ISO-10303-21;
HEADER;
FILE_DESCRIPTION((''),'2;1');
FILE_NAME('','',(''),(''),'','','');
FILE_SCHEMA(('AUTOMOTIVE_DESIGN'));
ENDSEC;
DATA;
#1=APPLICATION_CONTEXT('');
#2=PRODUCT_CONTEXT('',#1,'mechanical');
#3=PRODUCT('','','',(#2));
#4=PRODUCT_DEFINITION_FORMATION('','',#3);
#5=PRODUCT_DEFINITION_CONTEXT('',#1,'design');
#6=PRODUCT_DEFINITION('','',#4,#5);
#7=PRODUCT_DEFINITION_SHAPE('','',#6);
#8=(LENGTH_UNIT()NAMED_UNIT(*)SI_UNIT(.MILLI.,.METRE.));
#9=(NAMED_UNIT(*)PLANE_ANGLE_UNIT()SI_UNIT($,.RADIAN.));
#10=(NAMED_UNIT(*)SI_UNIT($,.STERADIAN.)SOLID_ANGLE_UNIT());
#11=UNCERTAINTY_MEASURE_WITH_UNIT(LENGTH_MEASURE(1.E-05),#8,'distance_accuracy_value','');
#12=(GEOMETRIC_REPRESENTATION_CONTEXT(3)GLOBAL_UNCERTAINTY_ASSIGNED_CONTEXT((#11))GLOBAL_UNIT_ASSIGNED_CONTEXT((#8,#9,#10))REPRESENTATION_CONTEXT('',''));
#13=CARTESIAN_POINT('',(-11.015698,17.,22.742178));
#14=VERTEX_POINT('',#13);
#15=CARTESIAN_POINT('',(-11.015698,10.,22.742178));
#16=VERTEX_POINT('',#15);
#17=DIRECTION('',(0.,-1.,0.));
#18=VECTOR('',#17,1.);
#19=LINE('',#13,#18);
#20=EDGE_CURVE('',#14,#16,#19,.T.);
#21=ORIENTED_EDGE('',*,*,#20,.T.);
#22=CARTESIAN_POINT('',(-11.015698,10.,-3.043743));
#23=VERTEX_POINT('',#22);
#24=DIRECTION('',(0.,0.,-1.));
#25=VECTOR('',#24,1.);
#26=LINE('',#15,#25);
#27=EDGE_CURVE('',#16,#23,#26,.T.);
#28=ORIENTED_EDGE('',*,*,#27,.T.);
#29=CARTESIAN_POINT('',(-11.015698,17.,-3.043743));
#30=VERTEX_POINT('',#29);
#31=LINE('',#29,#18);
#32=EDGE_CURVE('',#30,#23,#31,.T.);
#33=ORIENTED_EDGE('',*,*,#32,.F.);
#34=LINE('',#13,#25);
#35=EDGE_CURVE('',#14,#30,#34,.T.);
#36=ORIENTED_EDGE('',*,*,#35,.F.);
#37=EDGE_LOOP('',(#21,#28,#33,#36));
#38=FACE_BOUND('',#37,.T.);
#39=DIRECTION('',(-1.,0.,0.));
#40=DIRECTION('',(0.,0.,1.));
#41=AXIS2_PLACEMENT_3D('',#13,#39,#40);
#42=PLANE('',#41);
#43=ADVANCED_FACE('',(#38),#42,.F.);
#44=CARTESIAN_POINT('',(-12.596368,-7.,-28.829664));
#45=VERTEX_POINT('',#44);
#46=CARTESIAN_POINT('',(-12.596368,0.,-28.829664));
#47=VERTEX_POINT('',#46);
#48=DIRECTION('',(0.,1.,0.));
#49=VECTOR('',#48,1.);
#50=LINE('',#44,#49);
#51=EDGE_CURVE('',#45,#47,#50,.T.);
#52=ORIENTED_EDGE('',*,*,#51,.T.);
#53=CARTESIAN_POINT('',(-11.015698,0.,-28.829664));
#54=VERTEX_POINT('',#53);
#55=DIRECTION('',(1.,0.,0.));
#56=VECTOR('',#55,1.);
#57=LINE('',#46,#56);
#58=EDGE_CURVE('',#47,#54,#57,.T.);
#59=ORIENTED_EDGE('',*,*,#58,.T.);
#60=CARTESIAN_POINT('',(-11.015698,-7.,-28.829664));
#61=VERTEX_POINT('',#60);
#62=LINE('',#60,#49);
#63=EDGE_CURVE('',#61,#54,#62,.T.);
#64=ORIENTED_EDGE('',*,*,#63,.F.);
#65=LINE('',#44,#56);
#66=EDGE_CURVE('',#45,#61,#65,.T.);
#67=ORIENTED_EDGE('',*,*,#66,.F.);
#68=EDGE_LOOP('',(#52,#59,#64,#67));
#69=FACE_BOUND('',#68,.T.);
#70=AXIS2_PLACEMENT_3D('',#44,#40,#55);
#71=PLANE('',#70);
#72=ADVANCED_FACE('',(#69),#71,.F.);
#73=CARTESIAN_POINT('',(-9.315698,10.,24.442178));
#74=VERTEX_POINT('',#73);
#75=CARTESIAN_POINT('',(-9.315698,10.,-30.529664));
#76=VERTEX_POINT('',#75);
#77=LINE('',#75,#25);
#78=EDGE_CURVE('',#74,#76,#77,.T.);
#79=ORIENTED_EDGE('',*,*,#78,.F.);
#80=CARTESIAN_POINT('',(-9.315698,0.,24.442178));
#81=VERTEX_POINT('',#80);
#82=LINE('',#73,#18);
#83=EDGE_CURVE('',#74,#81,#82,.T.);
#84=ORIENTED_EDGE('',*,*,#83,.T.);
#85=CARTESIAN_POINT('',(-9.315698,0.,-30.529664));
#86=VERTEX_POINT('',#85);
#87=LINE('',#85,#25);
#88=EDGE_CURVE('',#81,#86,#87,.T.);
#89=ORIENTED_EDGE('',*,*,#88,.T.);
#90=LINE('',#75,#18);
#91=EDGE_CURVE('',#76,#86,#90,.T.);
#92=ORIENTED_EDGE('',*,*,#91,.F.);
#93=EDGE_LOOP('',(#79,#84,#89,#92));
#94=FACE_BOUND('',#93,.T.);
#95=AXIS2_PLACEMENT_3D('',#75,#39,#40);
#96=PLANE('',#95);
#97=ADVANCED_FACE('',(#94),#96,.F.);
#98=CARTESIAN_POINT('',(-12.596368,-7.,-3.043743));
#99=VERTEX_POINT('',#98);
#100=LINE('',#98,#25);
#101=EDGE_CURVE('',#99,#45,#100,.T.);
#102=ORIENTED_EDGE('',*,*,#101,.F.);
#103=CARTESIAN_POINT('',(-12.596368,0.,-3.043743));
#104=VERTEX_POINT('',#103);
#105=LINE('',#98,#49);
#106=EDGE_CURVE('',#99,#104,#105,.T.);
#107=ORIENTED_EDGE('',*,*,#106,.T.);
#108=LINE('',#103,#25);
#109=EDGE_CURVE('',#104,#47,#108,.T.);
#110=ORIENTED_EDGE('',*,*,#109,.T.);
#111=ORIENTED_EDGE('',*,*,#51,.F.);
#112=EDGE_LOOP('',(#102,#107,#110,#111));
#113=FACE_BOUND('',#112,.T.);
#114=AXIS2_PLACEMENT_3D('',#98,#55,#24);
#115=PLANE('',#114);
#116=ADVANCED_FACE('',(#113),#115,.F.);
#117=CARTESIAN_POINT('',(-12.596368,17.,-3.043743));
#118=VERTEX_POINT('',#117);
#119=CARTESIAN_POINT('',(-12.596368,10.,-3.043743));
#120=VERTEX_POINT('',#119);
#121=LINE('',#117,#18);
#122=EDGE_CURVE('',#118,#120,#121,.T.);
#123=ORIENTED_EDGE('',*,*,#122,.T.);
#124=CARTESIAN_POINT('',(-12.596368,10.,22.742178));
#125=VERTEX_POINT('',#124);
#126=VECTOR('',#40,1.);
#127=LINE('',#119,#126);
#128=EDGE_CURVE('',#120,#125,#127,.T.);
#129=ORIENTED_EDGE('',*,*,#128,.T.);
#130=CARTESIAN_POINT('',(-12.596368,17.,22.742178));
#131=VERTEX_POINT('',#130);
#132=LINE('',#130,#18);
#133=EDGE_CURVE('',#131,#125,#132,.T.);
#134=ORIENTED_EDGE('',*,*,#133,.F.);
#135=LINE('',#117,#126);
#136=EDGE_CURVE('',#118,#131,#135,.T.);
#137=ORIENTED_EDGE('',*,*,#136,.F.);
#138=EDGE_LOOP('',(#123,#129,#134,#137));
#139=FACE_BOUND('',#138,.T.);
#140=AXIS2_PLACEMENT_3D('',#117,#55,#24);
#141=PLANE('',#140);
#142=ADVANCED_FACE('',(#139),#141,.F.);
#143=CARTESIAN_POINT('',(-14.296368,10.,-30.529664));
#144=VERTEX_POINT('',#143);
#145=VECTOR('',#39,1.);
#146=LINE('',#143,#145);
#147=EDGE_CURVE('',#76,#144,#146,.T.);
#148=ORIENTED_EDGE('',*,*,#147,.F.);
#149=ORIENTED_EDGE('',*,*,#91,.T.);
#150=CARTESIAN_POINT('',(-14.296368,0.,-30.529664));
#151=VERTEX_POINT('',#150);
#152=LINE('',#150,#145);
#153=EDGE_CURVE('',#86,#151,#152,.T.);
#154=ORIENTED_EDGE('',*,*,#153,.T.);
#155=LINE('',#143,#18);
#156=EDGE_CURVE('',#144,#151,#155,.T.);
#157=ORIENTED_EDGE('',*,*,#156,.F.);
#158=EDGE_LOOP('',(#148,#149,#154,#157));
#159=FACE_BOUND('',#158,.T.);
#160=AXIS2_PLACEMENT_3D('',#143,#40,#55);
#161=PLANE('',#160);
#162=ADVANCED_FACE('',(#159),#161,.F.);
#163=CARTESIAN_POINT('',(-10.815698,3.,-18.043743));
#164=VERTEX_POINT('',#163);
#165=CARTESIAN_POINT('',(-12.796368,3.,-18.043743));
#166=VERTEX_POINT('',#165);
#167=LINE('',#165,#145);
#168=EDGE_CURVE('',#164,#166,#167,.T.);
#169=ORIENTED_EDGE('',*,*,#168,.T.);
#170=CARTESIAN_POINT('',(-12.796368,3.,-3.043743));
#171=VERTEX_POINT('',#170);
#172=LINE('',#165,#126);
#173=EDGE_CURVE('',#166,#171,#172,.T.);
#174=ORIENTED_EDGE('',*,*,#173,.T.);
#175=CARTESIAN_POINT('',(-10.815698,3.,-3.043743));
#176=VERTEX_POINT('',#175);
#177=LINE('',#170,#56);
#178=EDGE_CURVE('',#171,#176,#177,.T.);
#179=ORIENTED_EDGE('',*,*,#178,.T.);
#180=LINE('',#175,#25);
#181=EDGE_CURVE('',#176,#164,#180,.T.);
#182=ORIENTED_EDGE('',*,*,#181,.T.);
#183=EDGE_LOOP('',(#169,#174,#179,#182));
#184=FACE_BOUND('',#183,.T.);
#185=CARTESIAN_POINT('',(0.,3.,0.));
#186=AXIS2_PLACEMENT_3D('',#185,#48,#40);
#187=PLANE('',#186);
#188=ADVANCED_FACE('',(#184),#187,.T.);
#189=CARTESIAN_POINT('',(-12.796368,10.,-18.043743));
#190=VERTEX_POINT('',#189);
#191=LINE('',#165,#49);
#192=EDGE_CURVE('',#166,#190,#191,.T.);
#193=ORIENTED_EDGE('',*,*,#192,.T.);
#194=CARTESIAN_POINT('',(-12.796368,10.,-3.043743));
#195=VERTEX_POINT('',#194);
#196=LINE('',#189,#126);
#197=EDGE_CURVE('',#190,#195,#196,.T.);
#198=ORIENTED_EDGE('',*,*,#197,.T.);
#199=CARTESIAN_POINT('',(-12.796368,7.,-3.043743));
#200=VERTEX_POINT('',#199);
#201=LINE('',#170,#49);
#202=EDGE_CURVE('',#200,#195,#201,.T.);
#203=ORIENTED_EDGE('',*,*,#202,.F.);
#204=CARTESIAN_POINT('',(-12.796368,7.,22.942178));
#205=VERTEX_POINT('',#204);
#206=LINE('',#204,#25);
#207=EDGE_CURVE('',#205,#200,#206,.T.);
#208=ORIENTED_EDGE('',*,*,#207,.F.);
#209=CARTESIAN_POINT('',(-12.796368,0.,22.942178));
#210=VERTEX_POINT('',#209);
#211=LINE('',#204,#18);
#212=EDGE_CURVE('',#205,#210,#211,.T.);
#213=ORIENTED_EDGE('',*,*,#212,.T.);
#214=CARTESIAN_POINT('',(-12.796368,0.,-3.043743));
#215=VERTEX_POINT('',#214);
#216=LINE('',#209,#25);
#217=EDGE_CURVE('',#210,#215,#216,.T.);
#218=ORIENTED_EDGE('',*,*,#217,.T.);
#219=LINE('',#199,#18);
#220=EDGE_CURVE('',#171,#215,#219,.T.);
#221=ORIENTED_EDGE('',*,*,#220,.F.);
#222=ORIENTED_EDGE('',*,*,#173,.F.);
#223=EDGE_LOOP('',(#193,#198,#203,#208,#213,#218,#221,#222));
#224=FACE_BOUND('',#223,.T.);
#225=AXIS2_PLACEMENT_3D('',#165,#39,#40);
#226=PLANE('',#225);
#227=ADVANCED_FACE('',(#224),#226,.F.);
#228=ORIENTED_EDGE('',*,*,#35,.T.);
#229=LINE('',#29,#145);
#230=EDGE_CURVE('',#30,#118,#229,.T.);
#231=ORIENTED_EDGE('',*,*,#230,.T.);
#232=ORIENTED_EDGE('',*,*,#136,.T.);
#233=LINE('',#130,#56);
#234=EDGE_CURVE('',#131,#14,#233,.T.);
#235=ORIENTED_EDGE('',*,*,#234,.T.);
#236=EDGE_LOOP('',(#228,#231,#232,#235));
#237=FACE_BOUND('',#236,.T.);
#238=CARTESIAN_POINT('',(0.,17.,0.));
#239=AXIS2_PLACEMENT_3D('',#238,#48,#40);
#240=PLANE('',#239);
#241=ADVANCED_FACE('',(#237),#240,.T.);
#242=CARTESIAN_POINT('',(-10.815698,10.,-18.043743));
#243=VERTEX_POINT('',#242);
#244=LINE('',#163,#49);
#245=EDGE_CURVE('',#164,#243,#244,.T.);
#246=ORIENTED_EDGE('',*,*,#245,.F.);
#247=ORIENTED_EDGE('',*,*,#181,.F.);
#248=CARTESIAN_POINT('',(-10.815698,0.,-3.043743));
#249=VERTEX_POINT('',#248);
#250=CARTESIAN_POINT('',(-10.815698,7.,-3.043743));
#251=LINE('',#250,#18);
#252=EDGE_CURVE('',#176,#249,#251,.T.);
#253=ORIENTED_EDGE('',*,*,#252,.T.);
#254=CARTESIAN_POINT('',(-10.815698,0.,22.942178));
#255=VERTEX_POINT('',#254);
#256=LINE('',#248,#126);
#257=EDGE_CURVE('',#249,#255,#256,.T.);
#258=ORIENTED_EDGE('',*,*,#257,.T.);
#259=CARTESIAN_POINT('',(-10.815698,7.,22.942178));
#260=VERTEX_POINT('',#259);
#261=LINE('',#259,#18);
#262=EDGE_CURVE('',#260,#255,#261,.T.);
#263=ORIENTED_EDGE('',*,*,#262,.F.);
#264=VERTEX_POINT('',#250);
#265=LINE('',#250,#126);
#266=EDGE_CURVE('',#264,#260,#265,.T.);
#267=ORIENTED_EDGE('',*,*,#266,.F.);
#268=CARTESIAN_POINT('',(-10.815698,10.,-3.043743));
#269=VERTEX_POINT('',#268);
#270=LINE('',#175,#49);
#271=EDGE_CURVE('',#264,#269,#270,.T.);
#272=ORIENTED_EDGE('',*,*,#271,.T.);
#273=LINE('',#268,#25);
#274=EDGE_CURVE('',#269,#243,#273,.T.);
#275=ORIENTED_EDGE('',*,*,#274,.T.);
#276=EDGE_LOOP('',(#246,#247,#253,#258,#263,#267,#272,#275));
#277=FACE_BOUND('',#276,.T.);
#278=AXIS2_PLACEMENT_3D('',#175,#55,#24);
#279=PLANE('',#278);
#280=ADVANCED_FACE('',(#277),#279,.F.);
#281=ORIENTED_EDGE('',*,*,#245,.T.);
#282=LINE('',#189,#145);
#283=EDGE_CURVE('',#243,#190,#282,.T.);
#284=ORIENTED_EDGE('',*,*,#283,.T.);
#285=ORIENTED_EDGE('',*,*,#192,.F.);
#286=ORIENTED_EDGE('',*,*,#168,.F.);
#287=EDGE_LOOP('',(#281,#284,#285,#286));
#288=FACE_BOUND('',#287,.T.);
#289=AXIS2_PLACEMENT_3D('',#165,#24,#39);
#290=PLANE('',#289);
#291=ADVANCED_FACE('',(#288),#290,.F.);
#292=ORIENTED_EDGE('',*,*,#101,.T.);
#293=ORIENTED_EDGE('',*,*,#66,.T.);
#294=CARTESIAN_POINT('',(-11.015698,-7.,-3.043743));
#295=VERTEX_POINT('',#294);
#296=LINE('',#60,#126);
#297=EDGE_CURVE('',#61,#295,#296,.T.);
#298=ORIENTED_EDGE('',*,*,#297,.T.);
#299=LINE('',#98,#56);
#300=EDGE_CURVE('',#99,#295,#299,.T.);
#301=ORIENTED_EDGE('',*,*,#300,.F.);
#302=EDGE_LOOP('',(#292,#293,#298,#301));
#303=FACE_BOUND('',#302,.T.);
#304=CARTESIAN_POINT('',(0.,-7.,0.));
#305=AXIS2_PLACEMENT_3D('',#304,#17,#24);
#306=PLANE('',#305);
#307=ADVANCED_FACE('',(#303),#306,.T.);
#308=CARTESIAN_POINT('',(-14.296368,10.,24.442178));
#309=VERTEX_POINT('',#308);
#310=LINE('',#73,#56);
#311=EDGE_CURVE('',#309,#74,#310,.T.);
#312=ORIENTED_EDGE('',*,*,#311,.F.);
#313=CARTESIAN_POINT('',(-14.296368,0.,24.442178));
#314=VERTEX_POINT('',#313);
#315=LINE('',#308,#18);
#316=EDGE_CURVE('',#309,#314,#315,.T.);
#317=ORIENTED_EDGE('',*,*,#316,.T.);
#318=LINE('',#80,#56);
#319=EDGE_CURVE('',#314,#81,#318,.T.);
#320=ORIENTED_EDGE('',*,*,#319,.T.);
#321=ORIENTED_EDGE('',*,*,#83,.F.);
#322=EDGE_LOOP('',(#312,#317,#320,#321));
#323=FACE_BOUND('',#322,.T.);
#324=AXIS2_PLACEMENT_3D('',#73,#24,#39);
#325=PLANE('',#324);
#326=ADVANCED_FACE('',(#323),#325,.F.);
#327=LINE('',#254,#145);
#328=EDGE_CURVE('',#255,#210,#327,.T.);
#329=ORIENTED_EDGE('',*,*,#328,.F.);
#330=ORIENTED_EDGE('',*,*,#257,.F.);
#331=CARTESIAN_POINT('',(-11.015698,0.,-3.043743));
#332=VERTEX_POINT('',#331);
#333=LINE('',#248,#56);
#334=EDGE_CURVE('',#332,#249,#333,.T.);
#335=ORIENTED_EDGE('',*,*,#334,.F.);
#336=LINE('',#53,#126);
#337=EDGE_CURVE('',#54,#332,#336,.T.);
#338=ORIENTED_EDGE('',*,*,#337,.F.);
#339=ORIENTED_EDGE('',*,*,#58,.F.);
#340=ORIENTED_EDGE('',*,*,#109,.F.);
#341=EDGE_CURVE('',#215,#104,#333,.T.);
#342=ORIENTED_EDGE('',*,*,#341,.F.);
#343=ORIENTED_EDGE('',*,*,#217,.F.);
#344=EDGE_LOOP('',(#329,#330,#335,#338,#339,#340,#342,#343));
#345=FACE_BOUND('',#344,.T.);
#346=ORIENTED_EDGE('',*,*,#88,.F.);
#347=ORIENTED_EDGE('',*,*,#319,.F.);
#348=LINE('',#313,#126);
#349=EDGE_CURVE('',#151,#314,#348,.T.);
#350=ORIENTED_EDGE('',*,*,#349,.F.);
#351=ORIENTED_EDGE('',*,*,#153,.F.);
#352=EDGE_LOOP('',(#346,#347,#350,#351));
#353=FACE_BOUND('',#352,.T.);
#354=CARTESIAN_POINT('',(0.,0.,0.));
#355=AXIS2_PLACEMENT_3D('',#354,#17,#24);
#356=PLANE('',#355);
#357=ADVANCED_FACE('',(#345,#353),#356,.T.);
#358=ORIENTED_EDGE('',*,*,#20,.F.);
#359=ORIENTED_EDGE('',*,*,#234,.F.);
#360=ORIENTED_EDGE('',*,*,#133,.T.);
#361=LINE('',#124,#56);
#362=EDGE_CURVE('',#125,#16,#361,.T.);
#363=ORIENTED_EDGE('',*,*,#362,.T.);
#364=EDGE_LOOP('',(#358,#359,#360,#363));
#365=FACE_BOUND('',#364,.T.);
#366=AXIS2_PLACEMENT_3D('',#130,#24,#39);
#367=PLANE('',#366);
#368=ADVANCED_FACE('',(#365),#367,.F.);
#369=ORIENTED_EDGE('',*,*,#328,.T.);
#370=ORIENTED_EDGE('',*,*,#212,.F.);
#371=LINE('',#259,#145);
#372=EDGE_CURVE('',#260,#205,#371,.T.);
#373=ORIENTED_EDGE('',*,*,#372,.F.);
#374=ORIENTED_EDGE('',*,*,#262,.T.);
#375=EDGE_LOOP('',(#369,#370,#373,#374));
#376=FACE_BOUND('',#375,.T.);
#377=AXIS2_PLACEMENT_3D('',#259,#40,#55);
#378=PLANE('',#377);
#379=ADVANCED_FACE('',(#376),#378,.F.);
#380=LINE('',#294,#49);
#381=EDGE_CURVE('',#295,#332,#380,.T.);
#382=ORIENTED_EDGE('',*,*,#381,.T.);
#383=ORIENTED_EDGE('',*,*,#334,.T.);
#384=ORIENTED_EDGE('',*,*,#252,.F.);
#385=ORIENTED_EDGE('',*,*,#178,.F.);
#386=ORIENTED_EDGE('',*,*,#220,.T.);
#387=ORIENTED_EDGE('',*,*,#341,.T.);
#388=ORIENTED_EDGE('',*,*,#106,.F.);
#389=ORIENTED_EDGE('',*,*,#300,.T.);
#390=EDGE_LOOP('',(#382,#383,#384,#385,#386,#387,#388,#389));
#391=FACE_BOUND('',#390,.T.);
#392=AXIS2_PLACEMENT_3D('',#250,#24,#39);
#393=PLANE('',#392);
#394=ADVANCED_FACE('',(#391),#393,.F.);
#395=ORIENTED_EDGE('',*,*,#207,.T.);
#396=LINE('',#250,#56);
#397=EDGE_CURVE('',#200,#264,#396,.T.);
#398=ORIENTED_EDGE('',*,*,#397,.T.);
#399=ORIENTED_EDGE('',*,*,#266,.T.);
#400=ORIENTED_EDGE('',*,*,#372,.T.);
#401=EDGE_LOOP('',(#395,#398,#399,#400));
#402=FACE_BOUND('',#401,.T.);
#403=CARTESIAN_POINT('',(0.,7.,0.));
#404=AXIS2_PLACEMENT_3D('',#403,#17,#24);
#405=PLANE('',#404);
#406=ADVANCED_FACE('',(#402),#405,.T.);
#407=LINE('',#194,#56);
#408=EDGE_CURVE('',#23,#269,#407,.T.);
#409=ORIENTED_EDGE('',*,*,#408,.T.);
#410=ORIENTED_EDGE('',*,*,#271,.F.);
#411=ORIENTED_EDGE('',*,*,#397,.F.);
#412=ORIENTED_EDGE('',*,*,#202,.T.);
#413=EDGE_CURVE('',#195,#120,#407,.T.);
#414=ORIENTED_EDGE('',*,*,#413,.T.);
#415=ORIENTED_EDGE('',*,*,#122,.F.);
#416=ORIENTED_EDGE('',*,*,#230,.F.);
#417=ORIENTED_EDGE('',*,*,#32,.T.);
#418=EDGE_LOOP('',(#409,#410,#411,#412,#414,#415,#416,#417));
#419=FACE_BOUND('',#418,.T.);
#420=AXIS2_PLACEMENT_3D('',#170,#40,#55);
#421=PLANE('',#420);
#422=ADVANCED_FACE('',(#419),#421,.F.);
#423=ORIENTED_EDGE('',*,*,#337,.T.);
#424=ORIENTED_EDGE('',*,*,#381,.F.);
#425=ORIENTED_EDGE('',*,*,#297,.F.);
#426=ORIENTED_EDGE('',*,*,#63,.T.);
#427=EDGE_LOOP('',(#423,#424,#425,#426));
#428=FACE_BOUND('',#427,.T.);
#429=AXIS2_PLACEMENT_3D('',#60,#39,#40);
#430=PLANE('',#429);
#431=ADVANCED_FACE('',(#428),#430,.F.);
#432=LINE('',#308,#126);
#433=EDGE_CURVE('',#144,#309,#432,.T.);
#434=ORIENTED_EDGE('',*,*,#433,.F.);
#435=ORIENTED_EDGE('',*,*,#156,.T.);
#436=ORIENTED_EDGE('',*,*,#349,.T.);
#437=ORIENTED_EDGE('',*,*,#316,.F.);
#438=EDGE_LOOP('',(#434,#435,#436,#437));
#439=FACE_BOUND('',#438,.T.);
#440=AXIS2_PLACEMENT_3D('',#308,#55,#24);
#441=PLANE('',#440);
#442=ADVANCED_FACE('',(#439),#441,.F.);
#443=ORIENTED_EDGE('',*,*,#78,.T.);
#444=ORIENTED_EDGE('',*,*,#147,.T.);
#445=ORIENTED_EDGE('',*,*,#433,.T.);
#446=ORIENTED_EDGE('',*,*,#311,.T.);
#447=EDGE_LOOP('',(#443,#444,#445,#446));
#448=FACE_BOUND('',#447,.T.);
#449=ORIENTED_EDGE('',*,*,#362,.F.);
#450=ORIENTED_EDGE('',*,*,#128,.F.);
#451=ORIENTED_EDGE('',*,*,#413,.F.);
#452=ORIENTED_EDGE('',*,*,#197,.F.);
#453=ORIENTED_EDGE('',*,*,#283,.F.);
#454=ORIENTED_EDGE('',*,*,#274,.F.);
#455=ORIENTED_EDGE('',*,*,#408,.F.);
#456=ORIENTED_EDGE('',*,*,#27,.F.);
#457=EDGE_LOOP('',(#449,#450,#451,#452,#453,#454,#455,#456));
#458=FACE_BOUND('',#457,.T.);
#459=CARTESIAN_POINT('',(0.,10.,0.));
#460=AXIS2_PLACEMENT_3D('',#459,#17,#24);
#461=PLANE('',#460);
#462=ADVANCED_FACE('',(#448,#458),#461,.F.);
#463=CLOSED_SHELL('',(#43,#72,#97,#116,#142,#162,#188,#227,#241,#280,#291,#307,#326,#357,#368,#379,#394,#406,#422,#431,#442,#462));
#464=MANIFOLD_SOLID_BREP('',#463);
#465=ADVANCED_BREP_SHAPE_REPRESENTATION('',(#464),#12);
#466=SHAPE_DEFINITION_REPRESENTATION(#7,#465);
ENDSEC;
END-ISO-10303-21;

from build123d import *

# Parameters (mm, degrees)
SKETCH1_W           = 4.980670257
SKETCH1_H           = 54.9718421
BOSS_EXTRUDE1_DEPTH = 10
SKETCH2_W           = 1.980670257
SKETCH2_H           = 15
CUT_EXTRUDE2_DEPTH  = 7
SKETCH4_W           = 1.980670257
SKETCH4_H           = 25.98592105
CUT_EXTRUDE3_DEPTH  = 7
SKETCH5_W           = 1.580670257
SKETCH5_H           = 25.78592105
BOSS_EXTRUDE2_DEPTH = 7
SKETCH6_W           = 1.580670257
SKETCH6_H           = 25.78592105
BOSS_EXTRUDE3_DEPTH = 7


with BuildPart() as part:
    # Sketch1 → Boss-Extrude1 (new body)
    with BuildSketch(Plane(origin=(0, 0, 0), x_dir=(1, 0, 0), z_dir=(0, 1, 0))):
        with Locations((-11.806033203, 3.043742935)):
            Rectangle(SKETCH1_W, SKETCH1_H)
    extrude(amount=BOSS_EXTRUDE1_DEPTH)

    # Sketch2 → Cut-Extrude2 (cut)
    with BuildSketch(Plane(origin=(0, 10, 0), x_dir=(1, 0, 0), z_dir=(0, 1, 0))):
        with Locations((-11.806033203, 10.543742935)):
            Rectangle(SKETCH2_W, SKETCH2_H)
    extrude(amount=-CUT_EXTRUDE2_DEPTH, mode=Mode.SUBTRACT)

    # Sketch4 → Cut-Extrude3 (cut)
    with BuildSketch(Plane.XZ):
        with Locations((-11.806033203, 9.94921759)):
            Rectangle(SKETCH4_W, SKETCH4_H)
    extrude(amount=-CUT_EXTRUDE3_DEPTH, mode=Mode.SUBTRACT)

    # Sketch5 → Boss-Extrude2 (add)
    with BuildSketch(Plane.XZ):
        with Locations((-11.806033203, -15.93670346)):
            Rectangle(SKETCH5_W, SKETCH5_H)
    extrude(amount=BOSS_EXTRUDE2_DEPTH)

    # Sketch6 → Boss-Extrude3 (add)
    with BuildSketch(Plane(origin=(0, 10, 0), x_dir=(1, 0, 0), z_dir=(0, 1, 0))):
        with Locations((-11.806033203, -9.84921759)):
            Rectangle(SKETCH6_W, SKETCH6_H)
    extrude(amount=BOSS_EXTRUDE3_DEPTH)


solid = part.part
